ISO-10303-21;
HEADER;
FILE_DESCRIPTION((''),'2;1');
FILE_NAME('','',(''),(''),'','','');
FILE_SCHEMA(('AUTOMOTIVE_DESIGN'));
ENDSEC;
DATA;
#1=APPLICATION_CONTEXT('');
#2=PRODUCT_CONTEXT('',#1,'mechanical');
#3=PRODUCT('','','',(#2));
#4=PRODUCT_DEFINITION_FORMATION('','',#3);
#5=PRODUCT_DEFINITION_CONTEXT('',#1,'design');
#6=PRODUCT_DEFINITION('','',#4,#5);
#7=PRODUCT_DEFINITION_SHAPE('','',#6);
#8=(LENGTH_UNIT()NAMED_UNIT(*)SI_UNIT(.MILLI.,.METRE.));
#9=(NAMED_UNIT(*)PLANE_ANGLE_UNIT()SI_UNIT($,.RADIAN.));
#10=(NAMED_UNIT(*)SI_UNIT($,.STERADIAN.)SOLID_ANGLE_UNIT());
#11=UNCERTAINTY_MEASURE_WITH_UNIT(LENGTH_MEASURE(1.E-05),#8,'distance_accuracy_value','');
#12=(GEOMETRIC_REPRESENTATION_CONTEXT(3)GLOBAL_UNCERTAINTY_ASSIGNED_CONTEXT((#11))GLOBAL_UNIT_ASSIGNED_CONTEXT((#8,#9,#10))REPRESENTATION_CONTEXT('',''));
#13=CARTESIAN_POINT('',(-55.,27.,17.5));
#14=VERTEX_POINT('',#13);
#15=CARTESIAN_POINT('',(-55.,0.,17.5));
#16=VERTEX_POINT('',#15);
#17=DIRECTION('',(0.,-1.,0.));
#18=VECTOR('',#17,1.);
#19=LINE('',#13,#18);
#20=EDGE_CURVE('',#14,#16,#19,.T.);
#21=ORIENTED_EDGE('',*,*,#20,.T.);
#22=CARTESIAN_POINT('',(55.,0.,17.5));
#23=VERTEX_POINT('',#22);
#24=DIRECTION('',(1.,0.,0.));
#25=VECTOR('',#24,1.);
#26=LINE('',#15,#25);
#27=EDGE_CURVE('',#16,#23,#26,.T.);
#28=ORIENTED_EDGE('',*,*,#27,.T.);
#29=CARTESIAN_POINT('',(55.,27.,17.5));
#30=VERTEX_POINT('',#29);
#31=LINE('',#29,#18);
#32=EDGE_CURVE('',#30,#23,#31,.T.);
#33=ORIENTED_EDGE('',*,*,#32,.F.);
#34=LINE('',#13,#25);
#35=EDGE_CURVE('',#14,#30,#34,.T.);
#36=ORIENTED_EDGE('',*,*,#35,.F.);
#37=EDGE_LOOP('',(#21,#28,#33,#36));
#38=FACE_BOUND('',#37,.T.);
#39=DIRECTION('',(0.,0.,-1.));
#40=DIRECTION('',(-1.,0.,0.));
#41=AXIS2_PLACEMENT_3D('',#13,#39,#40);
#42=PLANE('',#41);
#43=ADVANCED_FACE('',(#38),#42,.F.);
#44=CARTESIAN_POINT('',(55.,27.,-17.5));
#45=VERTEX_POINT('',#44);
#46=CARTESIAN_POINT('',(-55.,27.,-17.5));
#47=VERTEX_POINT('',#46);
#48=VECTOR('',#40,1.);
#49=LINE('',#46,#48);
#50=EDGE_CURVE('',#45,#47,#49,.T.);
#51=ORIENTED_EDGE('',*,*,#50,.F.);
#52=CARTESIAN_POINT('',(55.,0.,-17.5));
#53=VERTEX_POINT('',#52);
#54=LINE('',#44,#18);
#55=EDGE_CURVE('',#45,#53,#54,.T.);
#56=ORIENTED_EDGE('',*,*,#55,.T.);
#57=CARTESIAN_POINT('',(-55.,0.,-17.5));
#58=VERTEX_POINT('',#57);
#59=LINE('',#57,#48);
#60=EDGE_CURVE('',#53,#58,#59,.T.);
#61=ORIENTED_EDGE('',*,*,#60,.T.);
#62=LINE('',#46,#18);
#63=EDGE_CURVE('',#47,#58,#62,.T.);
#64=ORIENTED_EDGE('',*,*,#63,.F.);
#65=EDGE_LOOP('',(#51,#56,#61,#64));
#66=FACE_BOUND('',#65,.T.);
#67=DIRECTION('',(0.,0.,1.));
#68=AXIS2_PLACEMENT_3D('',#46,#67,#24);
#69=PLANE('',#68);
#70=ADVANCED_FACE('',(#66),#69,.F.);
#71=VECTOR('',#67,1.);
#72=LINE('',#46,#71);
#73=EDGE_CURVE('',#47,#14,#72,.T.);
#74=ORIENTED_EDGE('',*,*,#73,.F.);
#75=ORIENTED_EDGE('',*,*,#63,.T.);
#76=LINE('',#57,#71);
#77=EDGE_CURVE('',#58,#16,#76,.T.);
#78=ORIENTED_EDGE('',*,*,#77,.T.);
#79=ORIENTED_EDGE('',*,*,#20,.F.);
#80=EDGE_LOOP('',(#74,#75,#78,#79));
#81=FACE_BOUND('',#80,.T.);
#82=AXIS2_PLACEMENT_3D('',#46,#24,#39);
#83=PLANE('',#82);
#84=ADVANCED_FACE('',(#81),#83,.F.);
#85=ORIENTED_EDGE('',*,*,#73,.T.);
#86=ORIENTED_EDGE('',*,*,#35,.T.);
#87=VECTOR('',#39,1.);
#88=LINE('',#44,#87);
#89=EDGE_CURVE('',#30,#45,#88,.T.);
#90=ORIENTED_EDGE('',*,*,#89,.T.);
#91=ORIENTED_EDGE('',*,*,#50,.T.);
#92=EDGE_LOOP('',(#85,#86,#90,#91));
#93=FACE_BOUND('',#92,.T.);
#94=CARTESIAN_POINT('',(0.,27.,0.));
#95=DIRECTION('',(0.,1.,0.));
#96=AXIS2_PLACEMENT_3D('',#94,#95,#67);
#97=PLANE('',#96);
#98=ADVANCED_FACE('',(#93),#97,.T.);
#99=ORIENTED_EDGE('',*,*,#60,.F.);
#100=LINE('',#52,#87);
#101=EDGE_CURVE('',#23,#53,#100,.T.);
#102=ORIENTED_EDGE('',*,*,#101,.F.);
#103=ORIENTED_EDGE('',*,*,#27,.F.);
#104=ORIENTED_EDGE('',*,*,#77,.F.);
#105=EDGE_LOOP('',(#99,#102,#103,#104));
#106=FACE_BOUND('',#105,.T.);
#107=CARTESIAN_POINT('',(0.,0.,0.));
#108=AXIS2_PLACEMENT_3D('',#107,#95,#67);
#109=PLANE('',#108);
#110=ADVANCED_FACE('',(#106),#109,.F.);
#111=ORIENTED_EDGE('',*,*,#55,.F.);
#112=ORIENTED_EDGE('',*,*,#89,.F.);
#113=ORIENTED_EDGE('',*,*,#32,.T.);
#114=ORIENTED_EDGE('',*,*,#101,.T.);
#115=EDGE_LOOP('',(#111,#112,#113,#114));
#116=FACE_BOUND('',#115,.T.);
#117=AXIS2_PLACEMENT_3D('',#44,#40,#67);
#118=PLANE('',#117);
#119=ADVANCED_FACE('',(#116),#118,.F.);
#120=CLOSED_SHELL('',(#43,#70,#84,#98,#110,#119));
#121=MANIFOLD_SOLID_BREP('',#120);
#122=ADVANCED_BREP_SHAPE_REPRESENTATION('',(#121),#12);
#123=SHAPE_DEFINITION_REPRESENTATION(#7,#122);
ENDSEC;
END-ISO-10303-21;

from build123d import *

# Parameters (mm, degrees)
SKETCH_1_W      = 110
SKETCH_1_H      = 35
EXTRUDE_1_DEPTH = 27


with BuildPart() as part:
    # 草图1 → 凸台-拉伸1 (new body)
    with BuildSketch(Plane(origin=(0, 0, 0), x_dir=(1, 0, 0), z_dir=(0, 1, 0))):
        Rectangle(SKETCH_1_W, SKETCH_1_H)
    extrude(amount=EXTRUDE_1_DEPTH)


solid = part.part
